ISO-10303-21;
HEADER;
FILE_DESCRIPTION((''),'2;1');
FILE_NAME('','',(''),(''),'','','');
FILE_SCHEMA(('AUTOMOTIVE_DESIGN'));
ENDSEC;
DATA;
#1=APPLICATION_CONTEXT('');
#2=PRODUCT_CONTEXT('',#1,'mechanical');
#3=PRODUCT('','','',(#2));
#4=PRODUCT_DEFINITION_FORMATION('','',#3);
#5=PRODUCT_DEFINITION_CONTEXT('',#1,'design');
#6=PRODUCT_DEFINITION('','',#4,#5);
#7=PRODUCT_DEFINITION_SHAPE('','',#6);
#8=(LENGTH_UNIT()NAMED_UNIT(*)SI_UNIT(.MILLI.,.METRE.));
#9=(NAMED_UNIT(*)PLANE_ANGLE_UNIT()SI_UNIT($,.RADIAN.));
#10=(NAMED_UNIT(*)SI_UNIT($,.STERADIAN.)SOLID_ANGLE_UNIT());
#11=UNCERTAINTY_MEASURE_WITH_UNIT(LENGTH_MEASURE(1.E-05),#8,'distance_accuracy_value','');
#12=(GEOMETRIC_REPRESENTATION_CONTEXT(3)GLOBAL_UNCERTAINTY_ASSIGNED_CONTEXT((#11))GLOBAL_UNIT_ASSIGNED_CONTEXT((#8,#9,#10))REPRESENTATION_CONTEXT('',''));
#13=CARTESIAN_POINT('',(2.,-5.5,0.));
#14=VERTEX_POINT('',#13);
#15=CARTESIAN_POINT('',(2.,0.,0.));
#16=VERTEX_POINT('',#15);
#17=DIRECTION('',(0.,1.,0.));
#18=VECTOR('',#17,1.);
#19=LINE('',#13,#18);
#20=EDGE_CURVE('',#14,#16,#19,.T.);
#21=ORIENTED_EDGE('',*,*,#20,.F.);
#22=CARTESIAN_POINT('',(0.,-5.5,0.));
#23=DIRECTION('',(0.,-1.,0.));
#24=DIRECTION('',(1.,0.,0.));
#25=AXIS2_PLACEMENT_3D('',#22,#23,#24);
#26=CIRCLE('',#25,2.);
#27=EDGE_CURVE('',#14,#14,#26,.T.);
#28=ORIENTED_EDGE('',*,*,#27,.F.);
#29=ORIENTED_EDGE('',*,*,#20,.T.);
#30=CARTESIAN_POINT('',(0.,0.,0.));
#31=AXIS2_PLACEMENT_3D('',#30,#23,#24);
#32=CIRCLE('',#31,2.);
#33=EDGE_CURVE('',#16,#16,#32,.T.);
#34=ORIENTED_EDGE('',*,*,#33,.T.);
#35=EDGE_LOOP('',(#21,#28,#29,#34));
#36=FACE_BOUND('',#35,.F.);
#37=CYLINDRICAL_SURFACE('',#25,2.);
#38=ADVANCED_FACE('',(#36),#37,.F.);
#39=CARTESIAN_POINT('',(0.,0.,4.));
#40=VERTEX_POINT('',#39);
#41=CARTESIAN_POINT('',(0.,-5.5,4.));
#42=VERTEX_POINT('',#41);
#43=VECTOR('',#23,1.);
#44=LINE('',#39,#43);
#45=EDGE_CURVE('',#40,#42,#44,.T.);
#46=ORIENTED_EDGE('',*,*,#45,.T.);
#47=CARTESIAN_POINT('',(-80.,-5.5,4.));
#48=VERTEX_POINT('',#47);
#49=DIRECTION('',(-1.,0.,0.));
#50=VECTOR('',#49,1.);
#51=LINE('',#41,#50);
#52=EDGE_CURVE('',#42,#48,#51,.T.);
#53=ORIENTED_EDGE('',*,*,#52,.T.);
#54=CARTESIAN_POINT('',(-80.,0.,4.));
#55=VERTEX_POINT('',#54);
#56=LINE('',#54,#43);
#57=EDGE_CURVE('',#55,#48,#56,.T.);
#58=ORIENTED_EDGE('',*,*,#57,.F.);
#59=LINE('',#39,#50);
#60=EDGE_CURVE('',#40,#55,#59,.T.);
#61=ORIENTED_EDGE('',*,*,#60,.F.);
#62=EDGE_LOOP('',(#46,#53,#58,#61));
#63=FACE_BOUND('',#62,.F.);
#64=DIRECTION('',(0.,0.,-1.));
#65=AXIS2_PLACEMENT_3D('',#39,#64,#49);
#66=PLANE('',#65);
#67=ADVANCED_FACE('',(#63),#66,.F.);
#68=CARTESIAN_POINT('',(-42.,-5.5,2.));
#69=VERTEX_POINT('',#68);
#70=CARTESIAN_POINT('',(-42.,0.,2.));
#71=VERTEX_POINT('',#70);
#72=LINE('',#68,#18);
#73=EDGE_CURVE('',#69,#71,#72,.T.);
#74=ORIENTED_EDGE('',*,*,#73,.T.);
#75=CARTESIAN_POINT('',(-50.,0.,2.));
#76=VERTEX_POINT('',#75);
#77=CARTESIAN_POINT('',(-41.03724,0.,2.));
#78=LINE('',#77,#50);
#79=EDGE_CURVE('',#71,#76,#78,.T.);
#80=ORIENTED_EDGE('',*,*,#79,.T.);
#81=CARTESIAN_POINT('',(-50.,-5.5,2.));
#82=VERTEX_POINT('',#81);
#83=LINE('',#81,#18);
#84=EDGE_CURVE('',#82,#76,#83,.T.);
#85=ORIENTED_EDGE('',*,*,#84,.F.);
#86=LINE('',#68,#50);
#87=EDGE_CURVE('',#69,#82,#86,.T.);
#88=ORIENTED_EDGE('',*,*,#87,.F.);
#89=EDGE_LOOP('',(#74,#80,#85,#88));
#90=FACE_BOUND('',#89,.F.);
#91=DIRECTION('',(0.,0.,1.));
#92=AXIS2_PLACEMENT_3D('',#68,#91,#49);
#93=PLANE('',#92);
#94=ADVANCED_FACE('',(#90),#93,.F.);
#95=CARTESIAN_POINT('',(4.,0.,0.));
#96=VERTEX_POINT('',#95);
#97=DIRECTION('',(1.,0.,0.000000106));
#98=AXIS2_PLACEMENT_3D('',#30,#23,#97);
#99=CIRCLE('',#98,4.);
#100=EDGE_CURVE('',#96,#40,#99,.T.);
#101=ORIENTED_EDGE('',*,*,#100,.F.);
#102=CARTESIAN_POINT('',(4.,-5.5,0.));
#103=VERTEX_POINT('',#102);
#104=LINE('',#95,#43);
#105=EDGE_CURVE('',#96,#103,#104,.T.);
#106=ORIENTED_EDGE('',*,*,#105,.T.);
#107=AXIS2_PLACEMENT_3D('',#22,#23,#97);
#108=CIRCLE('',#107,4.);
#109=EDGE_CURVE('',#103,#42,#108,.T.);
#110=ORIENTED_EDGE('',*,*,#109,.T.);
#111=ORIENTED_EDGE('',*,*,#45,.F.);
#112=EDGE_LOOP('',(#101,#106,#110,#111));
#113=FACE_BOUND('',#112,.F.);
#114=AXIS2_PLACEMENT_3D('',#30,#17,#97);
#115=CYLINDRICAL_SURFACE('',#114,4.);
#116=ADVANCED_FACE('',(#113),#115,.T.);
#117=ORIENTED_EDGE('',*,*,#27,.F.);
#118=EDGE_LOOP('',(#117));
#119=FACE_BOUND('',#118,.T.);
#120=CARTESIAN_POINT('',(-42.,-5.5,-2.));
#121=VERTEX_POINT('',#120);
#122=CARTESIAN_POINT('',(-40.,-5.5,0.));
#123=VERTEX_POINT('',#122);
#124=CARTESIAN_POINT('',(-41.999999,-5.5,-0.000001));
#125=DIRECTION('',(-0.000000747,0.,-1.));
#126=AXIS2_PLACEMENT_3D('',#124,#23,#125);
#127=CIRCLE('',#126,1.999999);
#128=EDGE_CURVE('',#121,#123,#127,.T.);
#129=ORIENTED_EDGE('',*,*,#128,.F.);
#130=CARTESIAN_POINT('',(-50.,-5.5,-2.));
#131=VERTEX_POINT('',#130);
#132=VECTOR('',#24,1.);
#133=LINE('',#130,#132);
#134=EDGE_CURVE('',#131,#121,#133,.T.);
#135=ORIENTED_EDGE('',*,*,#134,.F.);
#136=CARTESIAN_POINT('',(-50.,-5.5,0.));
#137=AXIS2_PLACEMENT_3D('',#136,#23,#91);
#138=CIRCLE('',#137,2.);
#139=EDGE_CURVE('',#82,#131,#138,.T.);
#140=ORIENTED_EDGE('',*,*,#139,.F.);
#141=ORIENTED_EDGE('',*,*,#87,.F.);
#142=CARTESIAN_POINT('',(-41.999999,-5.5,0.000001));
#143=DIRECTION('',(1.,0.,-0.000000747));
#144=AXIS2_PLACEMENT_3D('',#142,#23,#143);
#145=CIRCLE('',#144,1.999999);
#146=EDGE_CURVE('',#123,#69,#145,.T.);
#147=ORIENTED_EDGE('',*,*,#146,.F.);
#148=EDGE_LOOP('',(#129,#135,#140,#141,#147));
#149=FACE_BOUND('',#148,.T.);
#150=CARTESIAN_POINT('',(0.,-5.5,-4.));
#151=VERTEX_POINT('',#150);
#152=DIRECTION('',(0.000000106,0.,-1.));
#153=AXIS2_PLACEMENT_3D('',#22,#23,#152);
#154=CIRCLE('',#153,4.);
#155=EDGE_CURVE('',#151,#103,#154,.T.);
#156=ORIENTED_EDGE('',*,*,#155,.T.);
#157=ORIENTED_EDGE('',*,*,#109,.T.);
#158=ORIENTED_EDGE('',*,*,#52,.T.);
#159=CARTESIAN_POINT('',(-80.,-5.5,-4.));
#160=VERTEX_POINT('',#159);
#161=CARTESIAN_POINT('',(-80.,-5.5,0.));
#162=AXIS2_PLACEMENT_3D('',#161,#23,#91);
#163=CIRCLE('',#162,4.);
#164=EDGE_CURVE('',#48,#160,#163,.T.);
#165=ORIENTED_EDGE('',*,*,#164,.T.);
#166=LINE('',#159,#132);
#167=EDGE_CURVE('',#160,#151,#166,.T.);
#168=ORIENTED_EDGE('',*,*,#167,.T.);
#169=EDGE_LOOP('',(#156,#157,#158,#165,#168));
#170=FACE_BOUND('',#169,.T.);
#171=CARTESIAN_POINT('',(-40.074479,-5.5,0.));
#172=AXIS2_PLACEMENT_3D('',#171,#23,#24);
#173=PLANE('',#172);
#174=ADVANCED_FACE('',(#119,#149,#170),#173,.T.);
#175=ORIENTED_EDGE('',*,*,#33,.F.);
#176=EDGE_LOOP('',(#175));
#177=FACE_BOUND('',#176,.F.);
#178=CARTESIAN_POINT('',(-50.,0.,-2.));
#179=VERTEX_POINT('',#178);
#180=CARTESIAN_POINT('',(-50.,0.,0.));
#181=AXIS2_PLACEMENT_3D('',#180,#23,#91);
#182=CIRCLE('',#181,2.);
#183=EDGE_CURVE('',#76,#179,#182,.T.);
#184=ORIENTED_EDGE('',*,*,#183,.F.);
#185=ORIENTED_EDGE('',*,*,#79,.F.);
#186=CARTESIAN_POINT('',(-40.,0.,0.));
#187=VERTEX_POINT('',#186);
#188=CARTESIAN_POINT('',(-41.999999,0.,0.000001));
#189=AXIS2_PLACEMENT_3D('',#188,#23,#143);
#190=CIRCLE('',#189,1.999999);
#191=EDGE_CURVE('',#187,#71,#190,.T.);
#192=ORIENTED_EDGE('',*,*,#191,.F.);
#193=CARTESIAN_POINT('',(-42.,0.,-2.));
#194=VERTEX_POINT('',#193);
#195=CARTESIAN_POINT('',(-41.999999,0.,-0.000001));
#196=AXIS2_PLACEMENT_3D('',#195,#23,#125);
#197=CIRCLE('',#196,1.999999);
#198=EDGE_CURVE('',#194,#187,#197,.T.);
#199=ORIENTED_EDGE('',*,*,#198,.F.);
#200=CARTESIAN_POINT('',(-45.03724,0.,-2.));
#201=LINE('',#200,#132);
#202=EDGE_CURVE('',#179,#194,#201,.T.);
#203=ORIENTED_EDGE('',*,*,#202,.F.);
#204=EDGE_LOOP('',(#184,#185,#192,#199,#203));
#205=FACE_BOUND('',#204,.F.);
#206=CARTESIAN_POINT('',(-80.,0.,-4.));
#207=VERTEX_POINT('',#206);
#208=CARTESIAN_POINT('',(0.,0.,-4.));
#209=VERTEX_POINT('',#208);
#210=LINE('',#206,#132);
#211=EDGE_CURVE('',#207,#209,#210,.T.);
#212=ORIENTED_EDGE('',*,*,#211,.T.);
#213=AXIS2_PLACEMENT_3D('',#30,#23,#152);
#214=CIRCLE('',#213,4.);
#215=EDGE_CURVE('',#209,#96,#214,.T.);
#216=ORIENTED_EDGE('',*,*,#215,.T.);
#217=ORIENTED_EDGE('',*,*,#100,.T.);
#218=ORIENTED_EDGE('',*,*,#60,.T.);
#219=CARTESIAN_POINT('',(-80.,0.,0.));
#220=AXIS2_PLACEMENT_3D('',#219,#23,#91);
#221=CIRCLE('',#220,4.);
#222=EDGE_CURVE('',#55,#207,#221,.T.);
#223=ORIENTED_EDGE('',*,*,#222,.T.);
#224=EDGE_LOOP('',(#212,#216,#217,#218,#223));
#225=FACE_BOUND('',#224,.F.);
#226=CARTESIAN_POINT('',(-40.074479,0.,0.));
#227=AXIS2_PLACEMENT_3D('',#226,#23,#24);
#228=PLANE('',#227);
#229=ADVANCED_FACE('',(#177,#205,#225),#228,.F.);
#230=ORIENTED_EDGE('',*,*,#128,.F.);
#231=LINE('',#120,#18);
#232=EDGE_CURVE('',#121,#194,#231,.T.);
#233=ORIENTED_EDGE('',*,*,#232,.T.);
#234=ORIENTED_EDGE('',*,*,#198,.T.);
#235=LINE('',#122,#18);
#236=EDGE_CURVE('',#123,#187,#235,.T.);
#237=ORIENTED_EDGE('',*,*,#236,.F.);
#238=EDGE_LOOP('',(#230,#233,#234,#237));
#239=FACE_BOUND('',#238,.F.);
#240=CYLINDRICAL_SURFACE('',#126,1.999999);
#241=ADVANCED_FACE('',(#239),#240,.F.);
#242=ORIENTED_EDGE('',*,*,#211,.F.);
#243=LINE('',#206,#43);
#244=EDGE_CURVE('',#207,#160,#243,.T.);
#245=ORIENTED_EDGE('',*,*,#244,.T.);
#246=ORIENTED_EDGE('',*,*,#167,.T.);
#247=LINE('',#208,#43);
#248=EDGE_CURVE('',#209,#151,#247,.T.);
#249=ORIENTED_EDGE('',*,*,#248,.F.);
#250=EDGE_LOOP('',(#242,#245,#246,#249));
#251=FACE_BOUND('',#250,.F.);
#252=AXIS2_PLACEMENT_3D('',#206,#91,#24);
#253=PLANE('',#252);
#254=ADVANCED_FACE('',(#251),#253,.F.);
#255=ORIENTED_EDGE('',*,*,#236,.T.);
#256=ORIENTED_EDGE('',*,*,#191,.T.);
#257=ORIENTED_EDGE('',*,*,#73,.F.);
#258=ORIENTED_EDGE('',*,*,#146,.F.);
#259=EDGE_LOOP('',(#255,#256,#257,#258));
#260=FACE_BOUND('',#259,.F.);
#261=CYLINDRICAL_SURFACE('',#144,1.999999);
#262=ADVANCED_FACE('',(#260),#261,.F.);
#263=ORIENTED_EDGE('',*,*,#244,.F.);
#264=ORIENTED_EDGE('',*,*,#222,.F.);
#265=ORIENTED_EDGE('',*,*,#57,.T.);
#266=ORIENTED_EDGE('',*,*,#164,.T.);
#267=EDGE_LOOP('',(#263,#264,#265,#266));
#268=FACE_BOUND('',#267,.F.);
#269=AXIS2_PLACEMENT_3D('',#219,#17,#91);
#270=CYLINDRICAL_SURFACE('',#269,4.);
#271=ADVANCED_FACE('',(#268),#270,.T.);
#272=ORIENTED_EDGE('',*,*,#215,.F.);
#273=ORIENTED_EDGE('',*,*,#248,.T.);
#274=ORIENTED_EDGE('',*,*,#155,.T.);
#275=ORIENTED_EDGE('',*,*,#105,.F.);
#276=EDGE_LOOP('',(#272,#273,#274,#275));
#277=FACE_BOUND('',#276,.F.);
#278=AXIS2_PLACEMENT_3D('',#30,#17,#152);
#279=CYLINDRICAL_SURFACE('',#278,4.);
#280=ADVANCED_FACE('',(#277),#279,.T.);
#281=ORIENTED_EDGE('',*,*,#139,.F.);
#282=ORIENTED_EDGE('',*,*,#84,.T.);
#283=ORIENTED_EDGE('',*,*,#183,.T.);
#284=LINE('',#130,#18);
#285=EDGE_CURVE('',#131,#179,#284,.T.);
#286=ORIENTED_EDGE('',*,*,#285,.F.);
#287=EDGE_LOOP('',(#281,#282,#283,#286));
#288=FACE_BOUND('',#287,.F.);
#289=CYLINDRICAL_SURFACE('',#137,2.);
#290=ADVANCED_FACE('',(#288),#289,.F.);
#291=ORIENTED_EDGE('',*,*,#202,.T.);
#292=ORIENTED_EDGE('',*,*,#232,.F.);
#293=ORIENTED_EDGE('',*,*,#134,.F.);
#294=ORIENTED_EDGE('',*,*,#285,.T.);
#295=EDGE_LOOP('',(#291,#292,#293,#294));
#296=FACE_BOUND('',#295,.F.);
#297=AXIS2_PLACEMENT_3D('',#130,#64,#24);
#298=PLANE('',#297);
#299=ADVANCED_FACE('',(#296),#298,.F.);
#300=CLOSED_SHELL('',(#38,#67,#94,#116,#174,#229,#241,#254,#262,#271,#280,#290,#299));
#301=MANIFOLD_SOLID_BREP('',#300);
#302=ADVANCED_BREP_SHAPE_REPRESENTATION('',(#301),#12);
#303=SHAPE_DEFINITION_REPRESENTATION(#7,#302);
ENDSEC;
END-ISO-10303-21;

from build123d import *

# Parameters (mm, degrees)
F1_DEPTH = 5.5
F2_R     = 2
F3_DEPTH = 25


with BuildPart() as f1:
    # F0 (on Front) → F1 (new body)
    with BuildSketch(Plane.XZ):
        with BuildLine():
            ThreePointArc((0, -4), (-4, 0), (0, 4))
            Line((0, 4), (-80, 4))
            ThreePointArc((-80, 4), (-77.171573, 2.828427), (-76, 0))
            ThreePointArc((-76, 0), (-77.171573, -2.828427), (-80, -4))
            Line((-80, -4), (0, -4))
        make_face()
        with BuildLine():
            ThreePointArc((-76, 0), (-77.171573, 2.828427), (-80, 4))
            ThreePointArc((-80, 4), (-84, 0), (-80, -4))
            ThreePointArc((-80, -4), (-77.171573, -2.828427), (-76, 0))
        make_face()
        with BuildLine():
            ThreePointArc((0, -4), (2.828427, -2.828427), (4, 0))
            ThreePointArc((4, 0), (2.828427, 2.828427), (0, 4))
            ThreePointArc((0, 4), (-4, 0), (0, -4))
        make_face()
    extrude(amount=F1_DEPTH)

    # F2 (on face) → F3 (cut)
    with BuildSketch(Plane.XZ.offset(5.5)):
        Circle(F2_R)
        with BuildLine():
            ThreePointArc((-50, 2), (-48.585786, 1.414214), (-48, 0))
            ThreePointArc((-48, 0), (-48.585786, -1.414214), (-50, -2))
            Line((-50, -2), (-42, -2))
            ThreePointArc((-42, -2), (-44, 0), (-42, 2))
            Line((-42, 2), (-50, 2))
        make_face()
        with BuildLine():
            ThreePointArc((-40, 0), (-40.585786, 1.414214), (-42, 2))
            ThreePointArc((-42, 2), (-44, 0), (-42, -2))
            ThreePointArc((-42, -2), (-40.585786, -1.414214), (-40, 0))
        make_face()
        with BuildLine():
            ThreePointArc((-50, -2), (-48.585786, -1.414214), (-48, 0))
            ThreePointArc((-48, 0), (-48.585786, 1.414214), (-50, 2))
            ThreePointArc((-50, 2), (-52, 0), (-50, -2))
        make_face()
    extrude(amount=-F3_DEPTH, mode=Mode.SUBTRACT)


solid = f1.part
